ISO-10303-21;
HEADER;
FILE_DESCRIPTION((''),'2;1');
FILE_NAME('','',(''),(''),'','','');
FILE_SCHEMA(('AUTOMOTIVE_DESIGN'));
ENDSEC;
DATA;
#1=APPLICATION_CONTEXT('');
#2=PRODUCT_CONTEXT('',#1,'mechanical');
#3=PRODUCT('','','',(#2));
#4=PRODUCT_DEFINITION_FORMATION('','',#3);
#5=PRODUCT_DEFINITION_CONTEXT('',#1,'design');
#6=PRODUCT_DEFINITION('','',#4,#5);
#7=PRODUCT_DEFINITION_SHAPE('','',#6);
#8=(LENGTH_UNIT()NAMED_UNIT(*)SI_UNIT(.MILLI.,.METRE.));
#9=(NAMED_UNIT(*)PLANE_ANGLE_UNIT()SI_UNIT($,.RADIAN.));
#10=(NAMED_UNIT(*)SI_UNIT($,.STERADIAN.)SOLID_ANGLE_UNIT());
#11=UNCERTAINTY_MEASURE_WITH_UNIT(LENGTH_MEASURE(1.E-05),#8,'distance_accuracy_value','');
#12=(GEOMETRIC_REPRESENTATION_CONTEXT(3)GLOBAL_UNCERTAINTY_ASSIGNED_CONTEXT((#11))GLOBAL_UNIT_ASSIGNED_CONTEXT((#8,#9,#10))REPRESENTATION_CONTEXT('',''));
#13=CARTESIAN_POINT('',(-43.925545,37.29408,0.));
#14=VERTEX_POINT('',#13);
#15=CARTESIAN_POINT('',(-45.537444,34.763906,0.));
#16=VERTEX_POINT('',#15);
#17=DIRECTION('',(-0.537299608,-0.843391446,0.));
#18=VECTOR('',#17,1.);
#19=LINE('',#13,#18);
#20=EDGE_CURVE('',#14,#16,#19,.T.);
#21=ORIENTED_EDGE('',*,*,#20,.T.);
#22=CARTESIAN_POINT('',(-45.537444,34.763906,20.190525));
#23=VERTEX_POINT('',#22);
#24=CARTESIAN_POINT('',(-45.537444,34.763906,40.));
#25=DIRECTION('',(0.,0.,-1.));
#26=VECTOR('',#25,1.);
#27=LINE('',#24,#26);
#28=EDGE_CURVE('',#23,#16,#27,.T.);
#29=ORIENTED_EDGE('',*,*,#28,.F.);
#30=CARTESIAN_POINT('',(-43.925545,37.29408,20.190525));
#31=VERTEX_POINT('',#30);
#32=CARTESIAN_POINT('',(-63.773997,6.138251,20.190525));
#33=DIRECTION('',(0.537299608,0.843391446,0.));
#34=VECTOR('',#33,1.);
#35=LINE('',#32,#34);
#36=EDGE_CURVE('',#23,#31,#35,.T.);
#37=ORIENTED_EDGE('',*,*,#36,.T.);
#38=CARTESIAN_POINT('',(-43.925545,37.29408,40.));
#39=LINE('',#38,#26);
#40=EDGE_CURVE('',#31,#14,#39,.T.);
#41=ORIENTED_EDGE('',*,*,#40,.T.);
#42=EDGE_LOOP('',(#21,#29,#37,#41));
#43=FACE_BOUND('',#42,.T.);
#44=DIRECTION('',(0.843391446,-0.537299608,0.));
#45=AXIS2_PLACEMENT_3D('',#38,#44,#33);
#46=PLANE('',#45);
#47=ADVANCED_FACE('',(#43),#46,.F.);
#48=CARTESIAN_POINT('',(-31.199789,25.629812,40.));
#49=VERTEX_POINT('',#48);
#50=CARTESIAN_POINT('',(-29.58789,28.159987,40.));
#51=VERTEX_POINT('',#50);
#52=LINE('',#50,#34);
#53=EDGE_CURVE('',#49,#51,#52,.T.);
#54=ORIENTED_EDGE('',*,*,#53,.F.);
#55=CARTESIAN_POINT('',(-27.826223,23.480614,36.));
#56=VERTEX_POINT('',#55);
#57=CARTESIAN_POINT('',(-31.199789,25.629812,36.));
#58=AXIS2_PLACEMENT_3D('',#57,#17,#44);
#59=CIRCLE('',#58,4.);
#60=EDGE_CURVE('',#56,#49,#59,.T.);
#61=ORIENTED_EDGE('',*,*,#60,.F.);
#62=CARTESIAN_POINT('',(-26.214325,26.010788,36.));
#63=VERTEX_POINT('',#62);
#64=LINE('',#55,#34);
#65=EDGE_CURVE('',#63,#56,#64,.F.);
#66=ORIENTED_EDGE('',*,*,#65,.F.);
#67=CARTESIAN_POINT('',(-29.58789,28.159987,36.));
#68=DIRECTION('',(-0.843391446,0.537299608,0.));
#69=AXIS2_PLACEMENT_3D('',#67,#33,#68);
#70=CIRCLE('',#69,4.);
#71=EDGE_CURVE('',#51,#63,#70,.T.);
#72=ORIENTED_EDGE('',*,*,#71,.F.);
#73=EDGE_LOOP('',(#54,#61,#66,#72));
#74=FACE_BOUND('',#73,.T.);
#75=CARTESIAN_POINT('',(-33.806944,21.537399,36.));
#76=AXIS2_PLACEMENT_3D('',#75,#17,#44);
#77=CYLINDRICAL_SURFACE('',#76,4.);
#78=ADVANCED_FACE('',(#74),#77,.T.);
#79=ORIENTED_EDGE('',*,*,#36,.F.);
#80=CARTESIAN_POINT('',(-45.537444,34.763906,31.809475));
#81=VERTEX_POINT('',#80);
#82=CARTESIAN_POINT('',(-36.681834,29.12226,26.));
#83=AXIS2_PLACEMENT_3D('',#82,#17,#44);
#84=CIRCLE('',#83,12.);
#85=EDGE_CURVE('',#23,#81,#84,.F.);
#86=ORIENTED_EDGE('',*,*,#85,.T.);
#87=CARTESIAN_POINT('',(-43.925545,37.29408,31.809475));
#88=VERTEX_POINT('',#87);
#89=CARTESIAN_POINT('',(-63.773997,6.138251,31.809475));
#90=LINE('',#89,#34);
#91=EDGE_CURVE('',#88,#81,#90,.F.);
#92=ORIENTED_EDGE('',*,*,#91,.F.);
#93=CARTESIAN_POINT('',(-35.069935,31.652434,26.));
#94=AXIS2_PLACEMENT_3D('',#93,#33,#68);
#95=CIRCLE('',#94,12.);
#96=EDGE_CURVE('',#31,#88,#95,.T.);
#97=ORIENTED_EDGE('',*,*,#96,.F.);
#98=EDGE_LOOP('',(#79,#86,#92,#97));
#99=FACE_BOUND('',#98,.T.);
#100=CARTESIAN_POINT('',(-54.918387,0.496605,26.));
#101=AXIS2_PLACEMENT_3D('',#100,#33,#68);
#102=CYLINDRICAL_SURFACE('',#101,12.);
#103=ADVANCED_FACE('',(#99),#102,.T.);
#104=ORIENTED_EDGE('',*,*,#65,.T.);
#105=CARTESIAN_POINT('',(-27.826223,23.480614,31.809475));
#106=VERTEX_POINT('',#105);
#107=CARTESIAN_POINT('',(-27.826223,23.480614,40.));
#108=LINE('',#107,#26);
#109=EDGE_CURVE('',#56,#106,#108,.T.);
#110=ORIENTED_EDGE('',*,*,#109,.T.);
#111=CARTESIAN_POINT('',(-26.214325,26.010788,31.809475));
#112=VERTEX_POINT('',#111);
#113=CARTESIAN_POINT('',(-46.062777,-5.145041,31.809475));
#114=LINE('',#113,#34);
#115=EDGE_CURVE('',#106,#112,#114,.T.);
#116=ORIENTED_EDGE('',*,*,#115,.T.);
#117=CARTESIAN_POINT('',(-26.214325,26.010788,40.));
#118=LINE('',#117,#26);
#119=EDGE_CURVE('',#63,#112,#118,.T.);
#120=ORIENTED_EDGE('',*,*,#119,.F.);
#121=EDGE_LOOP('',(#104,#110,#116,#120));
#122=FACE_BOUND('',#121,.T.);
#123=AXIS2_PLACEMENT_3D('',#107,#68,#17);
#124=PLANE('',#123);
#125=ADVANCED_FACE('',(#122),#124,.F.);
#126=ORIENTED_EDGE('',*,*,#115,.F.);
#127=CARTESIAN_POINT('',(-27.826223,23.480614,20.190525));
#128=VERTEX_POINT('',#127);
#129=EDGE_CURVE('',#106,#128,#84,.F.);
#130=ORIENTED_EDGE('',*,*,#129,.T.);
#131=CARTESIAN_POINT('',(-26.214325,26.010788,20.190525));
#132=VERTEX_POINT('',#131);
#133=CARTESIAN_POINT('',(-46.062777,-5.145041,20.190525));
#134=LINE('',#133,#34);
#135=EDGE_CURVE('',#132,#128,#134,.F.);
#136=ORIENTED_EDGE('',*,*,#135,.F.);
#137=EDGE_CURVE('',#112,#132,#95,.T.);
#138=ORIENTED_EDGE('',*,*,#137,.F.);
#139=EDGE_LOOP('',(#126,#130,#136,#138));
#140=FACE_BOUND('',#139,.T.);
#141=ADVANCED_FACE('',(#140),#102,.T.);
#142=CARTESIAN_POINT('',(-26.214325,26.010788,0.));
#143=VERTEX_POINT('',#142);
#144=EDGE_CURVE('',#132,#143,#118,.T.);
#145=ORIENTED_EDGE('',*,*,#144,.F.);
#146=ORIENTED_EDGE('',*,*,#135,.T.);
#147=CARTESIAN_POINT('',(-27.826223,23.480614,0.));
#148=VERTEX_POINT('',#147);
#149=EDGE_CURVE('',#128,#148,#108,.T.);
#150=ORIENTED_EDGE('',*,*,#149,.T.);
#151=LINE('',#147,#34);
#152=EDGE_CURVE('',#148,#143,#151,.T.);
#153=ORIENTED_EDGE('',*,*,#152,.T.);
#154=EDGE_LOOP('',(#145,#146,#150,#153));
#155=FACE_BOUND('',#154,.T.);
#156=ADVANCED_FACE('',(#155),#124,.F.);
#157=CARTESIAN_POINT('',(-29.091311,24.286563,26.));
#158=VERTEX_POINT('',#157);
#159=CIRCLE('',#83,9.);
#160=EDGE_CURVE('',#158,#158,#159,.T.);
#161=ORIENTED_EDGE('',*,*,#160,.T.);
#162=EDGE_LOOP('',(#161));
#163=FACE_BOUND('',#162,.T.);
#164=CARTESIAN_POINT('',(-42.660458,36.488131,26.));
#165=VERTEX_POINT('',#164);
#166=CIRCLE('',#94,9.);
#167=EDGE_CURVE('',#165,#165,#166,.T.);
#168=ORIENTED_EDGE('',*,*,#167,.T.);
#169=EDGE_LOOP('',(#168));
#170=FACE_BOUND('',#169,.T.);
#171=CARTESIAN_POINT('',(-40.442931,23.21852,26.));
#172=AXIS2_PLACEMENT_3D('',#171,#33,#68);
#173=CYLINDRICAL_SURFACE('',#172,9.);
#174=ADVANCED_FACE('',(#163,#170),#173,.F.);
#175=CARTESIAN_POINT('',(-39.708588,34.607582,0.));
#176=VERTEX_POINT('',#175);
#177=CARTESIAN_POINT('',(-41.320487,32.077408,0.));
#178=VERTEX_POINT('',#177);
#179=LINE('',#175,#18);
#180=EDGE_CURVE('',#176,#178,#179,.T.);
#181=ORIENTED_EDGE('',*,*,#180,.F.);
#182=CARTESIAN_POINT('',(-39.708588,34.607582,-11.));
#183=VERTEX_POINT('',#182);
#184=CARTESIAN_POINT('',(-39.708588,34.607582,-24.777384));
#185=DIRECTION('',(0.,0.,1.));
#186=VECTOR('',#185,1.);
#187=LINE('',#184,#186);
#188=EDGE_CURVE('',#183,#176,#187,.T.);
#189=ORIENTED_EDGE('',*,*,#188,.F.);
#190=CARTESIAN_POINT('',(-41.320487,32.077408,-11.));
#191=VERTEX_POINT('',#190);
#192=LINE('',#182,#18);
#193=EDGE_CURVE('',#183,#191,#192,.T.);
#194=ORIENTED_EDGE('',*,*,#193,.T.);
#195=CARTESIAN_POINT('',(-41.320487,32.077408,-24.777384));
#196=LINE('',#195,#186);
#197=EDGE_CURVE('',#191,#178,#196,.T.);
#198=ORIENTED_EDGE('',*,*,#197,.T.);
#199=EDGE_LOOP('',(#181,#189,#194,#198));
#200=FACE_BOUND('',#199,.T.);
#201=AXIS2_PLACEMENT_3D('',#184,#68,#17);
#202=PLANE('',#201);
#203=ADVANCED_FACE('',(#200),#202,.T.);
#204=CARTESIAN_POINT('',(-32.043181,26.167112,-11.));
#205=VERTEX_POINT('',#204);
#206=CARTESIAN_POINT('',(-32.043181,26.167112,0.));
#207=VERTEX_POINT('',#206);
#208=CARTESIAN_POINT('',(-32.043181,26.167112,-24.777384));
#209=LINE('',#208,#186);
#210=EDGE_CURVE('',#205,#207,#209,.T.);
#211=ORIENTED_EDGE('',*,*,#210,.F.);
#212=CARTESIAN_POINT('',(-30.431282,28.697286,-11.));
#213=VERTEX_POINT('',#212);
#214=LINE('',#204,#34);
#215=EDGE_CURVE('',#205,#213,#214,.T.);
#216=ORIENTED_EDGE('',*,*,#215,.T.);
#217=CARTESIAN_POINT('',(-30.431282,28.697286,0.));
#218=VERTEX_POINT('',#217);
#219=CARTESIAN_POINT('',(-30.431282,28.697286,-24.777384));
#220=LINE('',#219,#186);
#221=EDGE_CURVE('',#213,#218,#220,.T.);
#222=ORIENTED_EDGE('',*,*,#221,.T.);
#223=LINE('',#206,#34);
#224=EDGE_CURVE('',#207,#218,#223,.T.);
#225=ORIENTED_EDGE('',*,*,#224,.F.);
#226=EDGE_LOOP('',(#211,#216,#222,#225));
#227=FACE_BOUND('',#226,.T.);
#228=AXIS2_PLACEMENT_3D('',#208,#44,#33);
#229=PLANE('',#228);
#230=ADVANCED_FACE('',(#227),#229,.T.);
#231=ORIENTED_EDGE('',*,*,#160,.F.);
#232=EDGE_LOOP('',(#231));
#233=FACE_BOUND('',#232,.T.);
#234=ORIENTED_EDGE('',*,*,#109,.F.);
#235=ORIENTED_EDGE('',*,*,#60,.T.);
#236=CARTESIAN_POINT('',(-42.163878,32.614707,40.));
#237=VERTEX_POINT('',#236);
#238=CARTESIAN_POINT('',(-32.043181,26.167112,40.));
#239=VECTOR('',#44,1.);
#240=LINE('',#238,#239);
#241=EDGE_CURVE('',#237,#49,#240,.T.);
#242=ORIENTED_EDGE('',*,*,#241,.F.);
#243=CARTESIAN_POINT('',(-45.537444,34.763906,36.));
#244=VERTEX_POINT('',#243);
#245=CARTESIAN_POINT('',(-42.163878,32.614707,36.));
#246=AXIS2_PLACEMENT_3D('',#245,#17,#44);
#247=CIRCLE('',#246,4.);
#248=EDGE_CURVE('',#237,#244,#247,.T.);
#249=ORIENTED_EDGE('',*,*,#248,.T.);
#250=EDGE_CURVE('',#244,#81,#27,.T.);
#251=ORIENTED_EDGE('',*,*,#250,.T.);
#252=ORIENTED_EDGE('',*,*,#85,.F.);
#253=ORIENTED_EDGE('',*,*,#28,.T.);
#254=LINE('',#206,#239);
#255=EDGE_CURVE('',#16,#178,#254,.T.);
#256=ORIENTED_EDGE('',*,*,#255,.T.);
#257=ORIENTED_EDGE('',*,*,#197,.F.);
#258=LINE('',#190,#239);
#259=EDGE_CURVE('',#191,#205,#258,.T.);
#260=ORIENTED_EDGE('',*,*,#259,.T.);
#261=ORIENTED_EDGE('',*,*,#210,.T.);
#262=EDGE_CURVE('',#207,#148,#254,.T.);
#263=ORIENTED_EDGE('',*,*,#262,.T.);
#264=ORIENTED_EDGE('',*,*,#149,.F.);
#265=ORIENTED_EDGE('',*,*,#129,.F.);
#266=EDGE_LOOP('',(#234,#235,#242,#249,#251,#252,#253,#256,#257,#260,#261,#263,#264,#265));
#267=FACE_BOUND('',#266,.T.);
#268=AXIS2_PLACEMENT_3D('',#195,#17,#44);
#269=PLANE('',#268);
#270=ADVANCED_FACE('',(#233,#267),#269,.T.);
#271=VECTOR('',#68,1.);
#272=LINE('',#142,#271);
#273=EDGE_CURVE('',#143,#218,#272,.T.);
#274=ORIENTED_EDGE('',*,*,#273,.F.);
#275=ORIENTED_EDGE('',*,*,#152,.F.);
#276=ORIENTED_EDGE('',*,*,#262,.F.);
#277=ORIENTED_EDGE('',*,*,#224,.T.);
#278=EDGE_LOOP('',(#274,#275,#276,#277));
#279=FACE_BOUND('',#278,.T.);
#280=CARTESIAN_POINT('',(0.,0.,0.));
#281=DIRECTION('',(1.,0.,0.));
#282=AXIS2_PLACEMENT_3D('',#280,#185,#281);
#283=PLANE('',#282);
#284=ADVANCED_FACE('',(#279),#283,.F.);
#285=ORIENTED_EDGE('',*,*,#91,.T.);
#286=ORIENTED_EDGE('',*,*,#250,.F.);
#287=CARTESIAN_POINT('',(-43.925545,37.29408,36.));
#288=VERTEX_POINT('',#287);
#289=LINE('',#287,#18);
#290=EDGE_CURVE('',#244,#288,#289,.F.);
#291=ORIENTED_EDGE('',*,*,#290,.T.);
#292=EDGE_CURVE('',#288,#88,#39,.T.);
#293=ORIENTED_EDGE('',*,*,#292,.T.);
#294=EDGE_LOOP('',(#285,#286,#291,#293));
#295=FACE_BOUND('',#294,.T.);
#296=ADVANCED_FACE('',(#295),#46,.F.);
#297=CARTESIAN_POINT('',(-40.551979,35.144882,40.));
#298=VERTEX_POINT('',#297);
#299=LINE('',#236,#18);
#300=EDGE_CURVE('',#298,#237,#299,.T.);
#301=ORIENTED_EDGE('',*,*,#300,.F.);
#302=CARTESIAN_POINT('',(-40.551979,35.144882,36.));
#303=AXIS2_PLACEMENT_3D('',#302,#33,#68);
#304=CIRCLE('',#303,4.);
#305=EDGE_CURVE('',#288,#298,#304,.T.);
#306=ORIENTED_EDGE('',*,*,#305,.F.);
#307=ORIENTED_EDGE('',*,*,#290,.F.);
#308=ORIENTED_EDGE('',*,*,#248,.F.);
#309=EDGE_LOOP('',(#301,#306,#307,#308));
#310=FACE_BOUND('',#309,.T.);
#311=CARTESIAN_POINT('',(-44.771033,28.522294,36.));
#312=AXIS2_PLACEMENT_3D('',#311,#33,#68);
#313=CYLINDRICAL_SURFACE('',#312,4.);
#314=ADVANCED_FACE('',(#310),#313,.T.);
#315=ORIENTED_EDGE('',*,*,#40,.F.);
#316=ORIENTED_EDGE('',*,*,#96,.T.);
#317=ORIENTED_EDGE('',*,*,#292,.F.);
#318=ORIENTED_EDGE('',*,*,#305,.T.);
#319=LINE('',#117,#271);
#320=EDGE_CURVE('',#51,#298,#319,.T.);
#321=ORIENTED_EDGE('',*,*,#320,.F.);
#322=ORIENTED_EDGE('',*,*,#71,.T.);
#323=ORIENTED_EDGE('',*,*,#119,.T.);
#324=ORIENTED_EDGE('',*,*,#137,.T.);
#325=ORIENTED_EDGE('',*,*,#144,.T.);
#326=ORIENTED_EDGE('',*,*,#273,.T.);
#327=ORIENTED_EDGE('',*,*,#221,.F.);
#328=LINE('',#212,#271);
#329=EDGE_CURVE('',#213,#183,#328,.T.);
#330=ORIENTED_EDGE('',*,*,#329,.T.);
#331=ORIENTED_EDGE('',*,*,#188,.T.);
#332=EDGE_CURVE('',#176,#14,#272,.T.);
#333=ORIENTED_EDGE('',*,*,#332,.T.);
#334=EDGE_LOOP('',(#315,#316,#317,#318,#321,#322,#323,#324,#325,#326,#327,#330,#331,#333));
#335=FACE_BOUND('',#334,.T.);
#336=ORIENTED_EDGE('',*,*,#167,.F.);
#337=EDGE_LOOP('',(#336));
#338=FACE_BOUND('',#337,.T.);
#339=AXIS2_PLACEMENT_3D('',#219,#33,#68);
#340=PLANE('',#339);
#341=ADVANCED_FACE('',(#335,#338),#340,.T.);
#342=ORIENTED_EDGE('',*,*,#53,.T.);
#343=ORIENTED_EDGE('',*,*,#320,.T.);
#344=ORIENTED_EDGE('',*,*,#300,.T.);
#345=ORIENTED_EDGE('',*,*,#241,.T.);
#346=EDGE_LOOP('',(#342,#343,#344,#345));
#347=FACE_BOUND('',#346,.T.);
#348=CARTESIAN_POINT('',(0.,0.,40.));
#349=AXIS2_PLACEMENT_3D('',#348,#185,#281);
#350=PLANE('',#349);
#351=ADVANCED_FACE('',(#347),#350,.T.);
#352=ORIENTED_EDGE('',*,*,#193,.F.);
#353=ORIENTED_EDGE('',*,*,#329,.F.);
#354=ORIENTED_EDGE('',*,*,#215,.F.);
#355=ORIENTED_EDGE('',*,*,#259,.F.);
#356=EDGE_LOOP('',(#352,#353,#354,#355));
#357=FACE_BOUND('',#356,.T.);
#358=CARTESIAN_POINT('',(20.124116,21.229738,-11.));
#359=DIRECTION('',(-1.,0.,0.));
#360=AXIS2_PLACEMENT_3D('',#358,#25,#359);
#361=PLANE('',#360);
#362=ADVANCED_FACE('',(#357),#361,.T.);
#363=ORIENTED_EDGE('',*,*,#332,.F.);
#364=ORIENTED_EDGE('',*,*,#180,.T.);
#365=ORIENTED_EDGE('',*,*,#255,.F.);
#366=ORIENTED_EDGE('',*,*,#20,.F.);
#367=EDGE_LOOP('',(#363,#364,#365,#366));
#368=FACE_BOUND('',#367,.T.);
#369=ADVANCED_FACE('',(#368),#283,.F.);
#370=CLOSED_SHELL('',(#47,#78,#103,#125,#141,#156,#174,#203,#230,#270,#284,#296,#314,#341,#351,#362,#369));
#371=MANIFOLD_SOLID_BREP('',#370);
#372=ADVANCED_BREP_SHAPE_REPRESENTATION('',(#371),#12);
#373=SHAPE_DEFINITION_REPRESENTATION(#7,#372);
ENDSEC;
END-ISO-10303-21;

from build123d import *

# Parameters (mm, degrees)
SALIENTE_EXTRUIR1_DEPTH = 11
SALIENTE_EXTRUIR2_DEPTH = 40
CROQUIS3_R              = 12
CROQUIS3_R_2            = 9
SALIENTE_EXTRUIR3_DEPTH = 3
CROQUIS3_2_R            = 9
CORTAR_EXTRUIR1_DEPTH   = 10
REDONDEO1_R             = 4


with BuildPart() as part:
    # Croquis1 → Saliente-Extruir1 (new body)
    with BuildSketch(Plane.XY):
        Polygon((-32.04318068, 26.167112062), (-30.431281855, 28.697286399), (-39.708587759, 34.607582091), (-41.320486584, 32.077407754), align=None)
    extrude(amount=-SALIENTE_EXTRUIR1_DEPTH)

    # Croquis2 → Saliente-Extruir2 (add)
    with BuildSketch(Plane.XY):
        Polygon((-26.214324626, 26.010788357), (-43.925544988, 37.294080133), (-45.537443813, 34.763905795), (-32.04318068, 26.167112062), (-27.826223451, 23.48061402), align=None)
    extrude(amount=SALIENTE_EXTRUIR2_DEPTH)

    # Croquis3 → Saliente-Extruir3 (add)
    with BuildSketch(Plane(origin=(4.219053857, 6.622587989, 0), x_dir=(0.843391446, -0.537299608, 0), z_dir=(0.537299608, 0.843391446, 0))):
        with Locations((-46.584523545, -26)):
            Circle(CROQUIS3_R)
        with Locations((-46.584523545, -26)):
            Circle(CROQUIS3_R_2, mode=Mode.SUBTRACT)
    extrude(amount=-SALIENTE_EXTRUIR3_DEPTH)

    # Croquis3<2> → Cortar-Extruir1 (cut)
    with BuildSketch(Plane(origin=(4.219053857, 6.622587989, 0), x_dir=(0.843391446, -0.537299608, 0), z_dir=(0.537299608, 0.843391446, 0))):
        with Locations((-46.584523545, -26)):
            Circle(CROQUIS3_2_R)
    extrude(amount=-CORTAR_EXTRUIR1_DEPTH, mode=Mode.SUBTRACT)

    # Redondeo1
    redondeo1_edges = [part.edges().sort_by_distance(p)[0] for p in [
        (-27.020274039, 24.745701189, 40),
        (-44.731494401, 36.028992964, 40),
    ]]
    fillet(redondeo1_edges, radius=REDONDEO1_R)


solid = part.part
